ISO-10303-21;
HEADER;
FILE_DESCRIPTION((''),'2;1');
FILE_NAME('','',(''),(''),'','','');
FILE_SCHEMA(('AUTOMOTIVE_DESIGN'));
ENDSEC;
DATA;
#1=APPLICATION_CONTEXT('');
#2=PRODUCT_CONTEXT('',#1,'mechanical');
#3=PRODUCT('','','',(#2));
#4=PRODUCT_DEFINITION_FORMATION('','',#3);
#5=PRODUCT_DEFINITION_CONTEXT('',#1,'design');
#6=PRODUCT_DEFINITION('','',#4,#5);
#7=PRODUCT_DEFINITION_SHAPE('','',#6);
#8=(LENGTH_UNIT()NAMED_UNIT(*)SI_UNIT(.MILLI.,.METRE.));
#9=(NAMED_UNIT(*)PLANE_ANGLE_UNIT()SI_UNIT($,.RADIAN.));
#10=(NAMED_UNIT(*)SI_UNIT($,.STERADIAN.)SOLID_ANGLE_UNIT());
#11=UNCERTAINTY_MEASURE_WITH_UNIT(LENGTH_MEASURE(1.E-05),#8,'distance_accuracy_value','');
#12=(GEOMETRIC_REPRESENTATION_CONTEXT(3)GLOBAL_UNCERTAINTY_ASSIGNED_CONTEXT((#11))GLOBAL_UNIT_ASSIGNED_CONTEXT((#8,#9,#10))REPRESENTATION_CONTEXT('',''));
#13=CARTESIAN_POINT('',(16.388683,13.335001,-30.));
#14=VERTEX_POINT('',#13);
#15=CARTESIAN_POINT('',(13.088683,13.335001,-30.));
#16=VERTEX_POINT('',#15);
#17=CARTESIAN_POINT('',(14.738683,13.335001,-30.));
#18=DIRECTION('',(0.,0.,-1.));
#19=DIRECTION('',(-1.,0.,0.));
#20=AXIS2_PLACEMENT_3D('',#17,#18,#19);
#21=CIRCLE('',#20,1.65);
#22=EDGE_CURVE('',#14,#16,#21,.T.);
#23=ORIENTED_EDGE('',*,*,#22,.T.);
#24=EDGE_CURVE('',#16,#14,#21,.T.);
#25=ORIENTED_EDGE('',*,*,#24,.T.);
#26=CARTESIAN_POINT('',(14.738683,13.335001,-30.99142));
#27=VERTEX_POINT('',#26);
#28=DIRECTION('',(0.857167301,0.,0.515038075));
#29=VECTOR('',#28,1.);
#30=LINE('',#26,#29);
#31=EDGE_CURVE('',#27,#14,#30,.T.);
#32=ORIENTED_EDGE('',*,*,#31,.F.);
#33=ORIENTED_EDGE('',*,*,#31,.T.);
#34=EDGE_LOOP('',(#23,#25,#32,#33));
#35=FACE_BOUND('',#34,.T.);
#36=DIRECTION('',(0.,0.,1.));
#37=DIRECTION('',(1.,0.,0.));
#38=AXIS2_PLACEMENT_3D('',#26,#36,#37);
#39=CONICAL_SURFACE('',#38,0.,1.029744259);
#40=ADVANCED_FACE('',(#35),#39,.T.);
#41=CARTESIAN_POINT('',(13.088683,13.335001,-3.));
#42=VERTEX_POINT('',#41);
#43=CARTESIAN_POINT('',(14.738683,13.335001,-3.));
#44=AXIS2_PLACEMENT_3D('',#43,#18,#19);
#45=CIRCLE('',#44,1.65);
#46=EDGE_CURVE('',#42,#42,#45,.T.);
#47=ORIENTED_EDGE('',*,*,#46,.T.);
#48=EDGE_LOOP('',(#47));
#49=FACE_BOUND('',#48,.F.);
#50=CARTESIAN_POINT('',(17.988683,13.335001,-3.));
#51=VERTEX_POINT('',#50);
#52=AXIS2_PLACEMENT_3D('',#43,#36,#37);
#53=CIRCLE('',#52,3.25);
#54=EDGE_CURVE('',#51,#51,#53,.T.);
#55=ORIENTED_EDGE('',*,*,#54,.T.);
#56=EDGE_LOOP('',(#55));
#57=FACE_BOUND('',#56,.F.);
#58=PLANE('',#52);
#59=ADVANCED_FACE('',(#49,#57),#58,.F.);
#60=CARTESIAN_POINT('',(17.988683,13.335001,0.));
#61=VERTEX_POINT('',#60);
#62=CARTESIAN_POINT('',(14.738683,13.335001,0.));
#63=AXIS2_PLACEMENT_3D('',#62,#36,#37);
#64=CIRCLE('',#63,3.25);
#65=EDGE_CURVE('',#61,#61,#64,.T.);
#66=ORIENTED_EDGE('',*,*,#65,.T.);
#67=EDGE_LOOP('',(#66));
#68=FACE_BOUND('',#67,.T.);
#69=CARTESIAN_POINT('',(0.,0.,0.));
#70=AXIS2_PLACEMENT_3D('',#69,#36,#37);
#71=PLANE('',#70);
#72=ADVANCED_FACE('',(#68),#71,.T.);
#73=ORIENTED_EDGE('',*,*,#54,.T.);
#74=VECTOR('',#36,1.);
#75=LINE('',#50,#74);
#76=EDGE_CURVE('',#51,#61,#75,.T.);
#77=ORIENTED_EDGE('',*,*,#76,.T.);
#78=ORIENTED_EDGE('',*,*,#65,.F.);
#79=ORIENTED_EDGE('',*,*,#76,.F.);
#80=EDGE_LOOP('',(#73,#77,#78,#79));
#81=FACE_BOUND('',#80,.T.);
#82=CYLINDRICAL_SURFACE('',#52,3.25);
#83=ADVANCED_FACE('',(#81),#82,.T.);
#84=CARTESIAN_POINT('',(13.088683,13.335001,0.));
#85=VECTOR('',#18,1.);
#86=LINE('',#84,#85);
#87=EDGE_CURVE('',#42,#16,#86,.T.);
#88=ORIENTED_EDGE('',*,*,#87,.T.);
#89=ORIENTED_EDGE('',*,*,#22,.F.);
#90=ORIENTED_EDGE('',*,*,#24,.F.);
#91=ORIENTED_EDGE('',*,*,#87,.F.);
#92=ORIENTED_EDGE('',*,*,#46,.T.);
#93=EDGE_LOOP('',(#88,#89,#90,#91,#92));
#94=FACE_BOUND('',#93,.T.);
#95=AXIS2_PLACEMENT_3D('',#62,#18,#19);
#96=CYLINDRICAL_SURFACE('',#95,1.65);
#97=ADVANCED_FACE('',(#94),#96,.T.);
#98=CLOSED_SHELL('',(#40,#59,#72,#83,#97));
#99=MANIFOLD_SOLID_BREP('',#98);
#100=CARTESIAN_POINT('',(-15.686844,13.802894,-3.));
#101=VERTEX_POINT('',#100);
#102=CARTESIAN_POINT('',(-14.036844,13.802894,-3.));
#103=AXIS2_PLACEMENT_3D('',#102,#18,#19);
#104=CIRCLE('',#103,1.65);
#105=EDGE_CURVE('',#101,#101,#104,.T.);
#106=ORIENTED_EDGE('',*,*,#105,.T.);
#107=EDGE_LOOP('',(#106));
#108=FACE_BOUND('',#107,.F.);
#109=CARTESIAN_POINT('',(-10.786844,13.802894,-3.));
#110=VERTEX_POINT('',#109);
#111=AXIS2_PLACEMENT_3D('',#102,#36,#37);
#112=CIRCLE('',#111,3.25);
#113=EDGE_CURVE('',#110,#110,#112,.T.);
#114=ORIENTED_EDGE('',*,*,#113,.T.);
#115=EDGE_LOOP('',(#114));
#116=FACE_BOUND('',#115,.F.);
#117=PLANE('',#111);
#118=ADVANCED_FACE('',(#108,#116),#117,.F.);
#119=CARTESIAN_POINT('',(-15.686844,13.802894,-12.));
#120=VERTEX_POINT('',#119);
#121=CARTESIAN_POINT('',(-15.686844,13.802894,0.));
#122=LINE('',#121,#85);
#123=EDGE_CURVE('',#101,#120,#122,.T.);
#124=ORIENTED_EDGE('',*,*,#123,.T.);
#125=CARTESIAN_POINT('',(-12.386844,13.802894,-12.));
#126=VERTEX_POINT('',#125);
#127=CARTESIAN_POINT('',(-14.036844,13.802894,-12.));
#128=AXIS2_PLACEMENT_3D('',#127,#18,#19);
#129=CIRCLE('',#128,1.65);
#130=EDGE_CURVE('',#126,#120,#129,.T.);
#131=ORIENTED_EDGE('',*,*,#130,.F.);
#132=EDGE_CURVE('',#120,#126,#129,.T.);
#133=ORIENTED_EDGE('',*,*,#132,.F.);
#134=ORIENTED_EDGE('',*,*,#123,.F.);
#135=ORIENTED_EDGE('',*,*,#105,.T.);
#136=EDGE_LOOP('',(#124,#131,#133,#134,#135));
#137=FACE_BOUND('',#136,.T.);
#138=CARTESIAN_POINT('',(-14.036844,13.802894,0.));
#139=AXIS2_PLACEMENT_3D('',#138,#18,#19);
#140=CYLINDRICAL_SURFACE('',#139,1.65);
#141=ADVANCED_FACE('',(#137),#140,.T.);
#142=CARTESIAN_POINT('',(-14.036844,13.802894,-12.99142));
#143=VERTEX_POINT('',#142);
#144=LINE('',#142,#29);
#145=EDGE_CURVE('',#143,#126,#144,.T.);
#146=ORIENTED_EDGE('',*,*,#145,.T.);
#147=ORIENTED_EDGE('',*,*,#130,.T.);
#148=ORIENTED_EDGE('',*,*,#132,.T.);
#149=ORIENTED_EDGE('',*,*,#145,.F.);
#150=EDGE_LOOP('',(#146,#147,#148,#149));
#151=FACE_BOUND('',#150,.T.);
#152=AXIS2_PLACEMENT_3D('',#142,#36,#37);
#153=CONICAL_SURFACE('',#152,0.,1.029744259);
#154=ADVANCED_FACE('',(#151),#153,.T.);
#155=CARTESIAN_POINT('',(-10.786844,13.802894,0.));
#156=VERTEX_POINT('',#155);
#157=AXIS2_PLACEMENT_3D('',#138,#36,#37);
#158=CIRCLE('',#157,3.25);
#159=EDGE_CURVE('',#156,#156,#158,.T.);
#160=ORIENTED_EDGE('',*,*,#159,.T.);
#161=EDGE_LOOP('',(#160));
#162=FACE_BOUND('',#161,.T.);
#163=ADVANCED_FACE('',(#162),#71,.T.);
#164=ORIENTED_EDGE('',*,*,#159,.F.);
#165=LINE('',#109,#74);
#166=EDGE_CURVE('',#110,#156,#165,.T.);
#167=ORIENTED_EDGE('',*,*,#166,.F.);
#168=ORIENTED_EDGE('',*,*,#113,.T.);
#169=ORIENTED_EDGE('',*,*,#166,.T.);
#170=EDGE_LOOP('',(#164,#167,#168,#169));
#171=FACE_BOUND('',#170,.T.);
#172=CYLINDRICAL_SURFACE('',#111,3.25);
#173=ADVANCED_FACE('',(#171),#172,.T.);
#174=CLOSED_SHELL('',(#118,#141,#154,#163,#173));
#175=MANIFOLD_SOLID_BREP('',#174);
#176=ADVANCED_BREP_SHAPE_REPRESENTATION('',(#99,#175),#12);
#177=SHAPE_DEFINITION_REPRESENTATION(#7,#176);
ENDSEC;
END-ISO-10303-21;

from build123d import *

# Parameters (mm, degrees)
F0_W           = 59.422634542
F0_H           = 58.0189451575
F1_DEPTH       = 78.994
F2_D           = 3.3
F2_DEPTH       = 12
F2_CBORE_D     = 6.5
F2_CBORE_DEPTH = 3
F2_TIP         = 0.9914200214
F3_D           = 3.3
F3_DEPTH       = 30
F3_CBORE_D     = 6.5
F3_CBORE_DEPTH = 3
F3_TIP         = 0.9914200214
F4_DEPTH       = 78.994


with BuildPart() as f1:
    # F0 (on Top) → F1 (new body)
    with BuildSketch(Plane.XY):
        Rectangle(F0_W, F0_H)
    extrude(amount=-F1_DEPTH)

    # F2
    with Locations(Plane.XY):
        with Locations((-14.0368444845, 13.8028943911)):
            CounterBoreHole(F2_D / 2, F2_CBORE_D / 2, F2_CBORE_DEPTH, depth=F2_DEPTH)
            with Locations((0, 0, -(F2_DEPTH + F2_TIP / 2))):  # 118° drill point
                Cone(0, F2_D / 2, F2_TIP, mode=Mode.SUBTRACT)

    # F3
    with Locations(Plane.XY):
        with Locations((14.7386826575, 13.3350007236)):
            CounterBoreHole(F3_D / 2, F3_CBORE_D / 2, F3_CBORE_DEPTH, depth=F3_DEPTH)
            with Locations((0, 0, -(F3_DEPTH + F3_TIP / 2))):  # 118° drill point
                Cone(0, F3_D / 2, F3_TIP, mode=Mode.SUBTRACT)


with BuildPart() as f4:
    # F4 (new, through all): a face of the model
    f4_faces = [f1.part.faces().sort_by_distance(p)[0] for p in [
        (0, 0, -78.994),
    ]]
    extrude(f4_faces, amount=-F4_DEPTH)

    # F5: cut F1
    add(f1.part, mode=Mode.SUBTRACT)


solid = f4.part
